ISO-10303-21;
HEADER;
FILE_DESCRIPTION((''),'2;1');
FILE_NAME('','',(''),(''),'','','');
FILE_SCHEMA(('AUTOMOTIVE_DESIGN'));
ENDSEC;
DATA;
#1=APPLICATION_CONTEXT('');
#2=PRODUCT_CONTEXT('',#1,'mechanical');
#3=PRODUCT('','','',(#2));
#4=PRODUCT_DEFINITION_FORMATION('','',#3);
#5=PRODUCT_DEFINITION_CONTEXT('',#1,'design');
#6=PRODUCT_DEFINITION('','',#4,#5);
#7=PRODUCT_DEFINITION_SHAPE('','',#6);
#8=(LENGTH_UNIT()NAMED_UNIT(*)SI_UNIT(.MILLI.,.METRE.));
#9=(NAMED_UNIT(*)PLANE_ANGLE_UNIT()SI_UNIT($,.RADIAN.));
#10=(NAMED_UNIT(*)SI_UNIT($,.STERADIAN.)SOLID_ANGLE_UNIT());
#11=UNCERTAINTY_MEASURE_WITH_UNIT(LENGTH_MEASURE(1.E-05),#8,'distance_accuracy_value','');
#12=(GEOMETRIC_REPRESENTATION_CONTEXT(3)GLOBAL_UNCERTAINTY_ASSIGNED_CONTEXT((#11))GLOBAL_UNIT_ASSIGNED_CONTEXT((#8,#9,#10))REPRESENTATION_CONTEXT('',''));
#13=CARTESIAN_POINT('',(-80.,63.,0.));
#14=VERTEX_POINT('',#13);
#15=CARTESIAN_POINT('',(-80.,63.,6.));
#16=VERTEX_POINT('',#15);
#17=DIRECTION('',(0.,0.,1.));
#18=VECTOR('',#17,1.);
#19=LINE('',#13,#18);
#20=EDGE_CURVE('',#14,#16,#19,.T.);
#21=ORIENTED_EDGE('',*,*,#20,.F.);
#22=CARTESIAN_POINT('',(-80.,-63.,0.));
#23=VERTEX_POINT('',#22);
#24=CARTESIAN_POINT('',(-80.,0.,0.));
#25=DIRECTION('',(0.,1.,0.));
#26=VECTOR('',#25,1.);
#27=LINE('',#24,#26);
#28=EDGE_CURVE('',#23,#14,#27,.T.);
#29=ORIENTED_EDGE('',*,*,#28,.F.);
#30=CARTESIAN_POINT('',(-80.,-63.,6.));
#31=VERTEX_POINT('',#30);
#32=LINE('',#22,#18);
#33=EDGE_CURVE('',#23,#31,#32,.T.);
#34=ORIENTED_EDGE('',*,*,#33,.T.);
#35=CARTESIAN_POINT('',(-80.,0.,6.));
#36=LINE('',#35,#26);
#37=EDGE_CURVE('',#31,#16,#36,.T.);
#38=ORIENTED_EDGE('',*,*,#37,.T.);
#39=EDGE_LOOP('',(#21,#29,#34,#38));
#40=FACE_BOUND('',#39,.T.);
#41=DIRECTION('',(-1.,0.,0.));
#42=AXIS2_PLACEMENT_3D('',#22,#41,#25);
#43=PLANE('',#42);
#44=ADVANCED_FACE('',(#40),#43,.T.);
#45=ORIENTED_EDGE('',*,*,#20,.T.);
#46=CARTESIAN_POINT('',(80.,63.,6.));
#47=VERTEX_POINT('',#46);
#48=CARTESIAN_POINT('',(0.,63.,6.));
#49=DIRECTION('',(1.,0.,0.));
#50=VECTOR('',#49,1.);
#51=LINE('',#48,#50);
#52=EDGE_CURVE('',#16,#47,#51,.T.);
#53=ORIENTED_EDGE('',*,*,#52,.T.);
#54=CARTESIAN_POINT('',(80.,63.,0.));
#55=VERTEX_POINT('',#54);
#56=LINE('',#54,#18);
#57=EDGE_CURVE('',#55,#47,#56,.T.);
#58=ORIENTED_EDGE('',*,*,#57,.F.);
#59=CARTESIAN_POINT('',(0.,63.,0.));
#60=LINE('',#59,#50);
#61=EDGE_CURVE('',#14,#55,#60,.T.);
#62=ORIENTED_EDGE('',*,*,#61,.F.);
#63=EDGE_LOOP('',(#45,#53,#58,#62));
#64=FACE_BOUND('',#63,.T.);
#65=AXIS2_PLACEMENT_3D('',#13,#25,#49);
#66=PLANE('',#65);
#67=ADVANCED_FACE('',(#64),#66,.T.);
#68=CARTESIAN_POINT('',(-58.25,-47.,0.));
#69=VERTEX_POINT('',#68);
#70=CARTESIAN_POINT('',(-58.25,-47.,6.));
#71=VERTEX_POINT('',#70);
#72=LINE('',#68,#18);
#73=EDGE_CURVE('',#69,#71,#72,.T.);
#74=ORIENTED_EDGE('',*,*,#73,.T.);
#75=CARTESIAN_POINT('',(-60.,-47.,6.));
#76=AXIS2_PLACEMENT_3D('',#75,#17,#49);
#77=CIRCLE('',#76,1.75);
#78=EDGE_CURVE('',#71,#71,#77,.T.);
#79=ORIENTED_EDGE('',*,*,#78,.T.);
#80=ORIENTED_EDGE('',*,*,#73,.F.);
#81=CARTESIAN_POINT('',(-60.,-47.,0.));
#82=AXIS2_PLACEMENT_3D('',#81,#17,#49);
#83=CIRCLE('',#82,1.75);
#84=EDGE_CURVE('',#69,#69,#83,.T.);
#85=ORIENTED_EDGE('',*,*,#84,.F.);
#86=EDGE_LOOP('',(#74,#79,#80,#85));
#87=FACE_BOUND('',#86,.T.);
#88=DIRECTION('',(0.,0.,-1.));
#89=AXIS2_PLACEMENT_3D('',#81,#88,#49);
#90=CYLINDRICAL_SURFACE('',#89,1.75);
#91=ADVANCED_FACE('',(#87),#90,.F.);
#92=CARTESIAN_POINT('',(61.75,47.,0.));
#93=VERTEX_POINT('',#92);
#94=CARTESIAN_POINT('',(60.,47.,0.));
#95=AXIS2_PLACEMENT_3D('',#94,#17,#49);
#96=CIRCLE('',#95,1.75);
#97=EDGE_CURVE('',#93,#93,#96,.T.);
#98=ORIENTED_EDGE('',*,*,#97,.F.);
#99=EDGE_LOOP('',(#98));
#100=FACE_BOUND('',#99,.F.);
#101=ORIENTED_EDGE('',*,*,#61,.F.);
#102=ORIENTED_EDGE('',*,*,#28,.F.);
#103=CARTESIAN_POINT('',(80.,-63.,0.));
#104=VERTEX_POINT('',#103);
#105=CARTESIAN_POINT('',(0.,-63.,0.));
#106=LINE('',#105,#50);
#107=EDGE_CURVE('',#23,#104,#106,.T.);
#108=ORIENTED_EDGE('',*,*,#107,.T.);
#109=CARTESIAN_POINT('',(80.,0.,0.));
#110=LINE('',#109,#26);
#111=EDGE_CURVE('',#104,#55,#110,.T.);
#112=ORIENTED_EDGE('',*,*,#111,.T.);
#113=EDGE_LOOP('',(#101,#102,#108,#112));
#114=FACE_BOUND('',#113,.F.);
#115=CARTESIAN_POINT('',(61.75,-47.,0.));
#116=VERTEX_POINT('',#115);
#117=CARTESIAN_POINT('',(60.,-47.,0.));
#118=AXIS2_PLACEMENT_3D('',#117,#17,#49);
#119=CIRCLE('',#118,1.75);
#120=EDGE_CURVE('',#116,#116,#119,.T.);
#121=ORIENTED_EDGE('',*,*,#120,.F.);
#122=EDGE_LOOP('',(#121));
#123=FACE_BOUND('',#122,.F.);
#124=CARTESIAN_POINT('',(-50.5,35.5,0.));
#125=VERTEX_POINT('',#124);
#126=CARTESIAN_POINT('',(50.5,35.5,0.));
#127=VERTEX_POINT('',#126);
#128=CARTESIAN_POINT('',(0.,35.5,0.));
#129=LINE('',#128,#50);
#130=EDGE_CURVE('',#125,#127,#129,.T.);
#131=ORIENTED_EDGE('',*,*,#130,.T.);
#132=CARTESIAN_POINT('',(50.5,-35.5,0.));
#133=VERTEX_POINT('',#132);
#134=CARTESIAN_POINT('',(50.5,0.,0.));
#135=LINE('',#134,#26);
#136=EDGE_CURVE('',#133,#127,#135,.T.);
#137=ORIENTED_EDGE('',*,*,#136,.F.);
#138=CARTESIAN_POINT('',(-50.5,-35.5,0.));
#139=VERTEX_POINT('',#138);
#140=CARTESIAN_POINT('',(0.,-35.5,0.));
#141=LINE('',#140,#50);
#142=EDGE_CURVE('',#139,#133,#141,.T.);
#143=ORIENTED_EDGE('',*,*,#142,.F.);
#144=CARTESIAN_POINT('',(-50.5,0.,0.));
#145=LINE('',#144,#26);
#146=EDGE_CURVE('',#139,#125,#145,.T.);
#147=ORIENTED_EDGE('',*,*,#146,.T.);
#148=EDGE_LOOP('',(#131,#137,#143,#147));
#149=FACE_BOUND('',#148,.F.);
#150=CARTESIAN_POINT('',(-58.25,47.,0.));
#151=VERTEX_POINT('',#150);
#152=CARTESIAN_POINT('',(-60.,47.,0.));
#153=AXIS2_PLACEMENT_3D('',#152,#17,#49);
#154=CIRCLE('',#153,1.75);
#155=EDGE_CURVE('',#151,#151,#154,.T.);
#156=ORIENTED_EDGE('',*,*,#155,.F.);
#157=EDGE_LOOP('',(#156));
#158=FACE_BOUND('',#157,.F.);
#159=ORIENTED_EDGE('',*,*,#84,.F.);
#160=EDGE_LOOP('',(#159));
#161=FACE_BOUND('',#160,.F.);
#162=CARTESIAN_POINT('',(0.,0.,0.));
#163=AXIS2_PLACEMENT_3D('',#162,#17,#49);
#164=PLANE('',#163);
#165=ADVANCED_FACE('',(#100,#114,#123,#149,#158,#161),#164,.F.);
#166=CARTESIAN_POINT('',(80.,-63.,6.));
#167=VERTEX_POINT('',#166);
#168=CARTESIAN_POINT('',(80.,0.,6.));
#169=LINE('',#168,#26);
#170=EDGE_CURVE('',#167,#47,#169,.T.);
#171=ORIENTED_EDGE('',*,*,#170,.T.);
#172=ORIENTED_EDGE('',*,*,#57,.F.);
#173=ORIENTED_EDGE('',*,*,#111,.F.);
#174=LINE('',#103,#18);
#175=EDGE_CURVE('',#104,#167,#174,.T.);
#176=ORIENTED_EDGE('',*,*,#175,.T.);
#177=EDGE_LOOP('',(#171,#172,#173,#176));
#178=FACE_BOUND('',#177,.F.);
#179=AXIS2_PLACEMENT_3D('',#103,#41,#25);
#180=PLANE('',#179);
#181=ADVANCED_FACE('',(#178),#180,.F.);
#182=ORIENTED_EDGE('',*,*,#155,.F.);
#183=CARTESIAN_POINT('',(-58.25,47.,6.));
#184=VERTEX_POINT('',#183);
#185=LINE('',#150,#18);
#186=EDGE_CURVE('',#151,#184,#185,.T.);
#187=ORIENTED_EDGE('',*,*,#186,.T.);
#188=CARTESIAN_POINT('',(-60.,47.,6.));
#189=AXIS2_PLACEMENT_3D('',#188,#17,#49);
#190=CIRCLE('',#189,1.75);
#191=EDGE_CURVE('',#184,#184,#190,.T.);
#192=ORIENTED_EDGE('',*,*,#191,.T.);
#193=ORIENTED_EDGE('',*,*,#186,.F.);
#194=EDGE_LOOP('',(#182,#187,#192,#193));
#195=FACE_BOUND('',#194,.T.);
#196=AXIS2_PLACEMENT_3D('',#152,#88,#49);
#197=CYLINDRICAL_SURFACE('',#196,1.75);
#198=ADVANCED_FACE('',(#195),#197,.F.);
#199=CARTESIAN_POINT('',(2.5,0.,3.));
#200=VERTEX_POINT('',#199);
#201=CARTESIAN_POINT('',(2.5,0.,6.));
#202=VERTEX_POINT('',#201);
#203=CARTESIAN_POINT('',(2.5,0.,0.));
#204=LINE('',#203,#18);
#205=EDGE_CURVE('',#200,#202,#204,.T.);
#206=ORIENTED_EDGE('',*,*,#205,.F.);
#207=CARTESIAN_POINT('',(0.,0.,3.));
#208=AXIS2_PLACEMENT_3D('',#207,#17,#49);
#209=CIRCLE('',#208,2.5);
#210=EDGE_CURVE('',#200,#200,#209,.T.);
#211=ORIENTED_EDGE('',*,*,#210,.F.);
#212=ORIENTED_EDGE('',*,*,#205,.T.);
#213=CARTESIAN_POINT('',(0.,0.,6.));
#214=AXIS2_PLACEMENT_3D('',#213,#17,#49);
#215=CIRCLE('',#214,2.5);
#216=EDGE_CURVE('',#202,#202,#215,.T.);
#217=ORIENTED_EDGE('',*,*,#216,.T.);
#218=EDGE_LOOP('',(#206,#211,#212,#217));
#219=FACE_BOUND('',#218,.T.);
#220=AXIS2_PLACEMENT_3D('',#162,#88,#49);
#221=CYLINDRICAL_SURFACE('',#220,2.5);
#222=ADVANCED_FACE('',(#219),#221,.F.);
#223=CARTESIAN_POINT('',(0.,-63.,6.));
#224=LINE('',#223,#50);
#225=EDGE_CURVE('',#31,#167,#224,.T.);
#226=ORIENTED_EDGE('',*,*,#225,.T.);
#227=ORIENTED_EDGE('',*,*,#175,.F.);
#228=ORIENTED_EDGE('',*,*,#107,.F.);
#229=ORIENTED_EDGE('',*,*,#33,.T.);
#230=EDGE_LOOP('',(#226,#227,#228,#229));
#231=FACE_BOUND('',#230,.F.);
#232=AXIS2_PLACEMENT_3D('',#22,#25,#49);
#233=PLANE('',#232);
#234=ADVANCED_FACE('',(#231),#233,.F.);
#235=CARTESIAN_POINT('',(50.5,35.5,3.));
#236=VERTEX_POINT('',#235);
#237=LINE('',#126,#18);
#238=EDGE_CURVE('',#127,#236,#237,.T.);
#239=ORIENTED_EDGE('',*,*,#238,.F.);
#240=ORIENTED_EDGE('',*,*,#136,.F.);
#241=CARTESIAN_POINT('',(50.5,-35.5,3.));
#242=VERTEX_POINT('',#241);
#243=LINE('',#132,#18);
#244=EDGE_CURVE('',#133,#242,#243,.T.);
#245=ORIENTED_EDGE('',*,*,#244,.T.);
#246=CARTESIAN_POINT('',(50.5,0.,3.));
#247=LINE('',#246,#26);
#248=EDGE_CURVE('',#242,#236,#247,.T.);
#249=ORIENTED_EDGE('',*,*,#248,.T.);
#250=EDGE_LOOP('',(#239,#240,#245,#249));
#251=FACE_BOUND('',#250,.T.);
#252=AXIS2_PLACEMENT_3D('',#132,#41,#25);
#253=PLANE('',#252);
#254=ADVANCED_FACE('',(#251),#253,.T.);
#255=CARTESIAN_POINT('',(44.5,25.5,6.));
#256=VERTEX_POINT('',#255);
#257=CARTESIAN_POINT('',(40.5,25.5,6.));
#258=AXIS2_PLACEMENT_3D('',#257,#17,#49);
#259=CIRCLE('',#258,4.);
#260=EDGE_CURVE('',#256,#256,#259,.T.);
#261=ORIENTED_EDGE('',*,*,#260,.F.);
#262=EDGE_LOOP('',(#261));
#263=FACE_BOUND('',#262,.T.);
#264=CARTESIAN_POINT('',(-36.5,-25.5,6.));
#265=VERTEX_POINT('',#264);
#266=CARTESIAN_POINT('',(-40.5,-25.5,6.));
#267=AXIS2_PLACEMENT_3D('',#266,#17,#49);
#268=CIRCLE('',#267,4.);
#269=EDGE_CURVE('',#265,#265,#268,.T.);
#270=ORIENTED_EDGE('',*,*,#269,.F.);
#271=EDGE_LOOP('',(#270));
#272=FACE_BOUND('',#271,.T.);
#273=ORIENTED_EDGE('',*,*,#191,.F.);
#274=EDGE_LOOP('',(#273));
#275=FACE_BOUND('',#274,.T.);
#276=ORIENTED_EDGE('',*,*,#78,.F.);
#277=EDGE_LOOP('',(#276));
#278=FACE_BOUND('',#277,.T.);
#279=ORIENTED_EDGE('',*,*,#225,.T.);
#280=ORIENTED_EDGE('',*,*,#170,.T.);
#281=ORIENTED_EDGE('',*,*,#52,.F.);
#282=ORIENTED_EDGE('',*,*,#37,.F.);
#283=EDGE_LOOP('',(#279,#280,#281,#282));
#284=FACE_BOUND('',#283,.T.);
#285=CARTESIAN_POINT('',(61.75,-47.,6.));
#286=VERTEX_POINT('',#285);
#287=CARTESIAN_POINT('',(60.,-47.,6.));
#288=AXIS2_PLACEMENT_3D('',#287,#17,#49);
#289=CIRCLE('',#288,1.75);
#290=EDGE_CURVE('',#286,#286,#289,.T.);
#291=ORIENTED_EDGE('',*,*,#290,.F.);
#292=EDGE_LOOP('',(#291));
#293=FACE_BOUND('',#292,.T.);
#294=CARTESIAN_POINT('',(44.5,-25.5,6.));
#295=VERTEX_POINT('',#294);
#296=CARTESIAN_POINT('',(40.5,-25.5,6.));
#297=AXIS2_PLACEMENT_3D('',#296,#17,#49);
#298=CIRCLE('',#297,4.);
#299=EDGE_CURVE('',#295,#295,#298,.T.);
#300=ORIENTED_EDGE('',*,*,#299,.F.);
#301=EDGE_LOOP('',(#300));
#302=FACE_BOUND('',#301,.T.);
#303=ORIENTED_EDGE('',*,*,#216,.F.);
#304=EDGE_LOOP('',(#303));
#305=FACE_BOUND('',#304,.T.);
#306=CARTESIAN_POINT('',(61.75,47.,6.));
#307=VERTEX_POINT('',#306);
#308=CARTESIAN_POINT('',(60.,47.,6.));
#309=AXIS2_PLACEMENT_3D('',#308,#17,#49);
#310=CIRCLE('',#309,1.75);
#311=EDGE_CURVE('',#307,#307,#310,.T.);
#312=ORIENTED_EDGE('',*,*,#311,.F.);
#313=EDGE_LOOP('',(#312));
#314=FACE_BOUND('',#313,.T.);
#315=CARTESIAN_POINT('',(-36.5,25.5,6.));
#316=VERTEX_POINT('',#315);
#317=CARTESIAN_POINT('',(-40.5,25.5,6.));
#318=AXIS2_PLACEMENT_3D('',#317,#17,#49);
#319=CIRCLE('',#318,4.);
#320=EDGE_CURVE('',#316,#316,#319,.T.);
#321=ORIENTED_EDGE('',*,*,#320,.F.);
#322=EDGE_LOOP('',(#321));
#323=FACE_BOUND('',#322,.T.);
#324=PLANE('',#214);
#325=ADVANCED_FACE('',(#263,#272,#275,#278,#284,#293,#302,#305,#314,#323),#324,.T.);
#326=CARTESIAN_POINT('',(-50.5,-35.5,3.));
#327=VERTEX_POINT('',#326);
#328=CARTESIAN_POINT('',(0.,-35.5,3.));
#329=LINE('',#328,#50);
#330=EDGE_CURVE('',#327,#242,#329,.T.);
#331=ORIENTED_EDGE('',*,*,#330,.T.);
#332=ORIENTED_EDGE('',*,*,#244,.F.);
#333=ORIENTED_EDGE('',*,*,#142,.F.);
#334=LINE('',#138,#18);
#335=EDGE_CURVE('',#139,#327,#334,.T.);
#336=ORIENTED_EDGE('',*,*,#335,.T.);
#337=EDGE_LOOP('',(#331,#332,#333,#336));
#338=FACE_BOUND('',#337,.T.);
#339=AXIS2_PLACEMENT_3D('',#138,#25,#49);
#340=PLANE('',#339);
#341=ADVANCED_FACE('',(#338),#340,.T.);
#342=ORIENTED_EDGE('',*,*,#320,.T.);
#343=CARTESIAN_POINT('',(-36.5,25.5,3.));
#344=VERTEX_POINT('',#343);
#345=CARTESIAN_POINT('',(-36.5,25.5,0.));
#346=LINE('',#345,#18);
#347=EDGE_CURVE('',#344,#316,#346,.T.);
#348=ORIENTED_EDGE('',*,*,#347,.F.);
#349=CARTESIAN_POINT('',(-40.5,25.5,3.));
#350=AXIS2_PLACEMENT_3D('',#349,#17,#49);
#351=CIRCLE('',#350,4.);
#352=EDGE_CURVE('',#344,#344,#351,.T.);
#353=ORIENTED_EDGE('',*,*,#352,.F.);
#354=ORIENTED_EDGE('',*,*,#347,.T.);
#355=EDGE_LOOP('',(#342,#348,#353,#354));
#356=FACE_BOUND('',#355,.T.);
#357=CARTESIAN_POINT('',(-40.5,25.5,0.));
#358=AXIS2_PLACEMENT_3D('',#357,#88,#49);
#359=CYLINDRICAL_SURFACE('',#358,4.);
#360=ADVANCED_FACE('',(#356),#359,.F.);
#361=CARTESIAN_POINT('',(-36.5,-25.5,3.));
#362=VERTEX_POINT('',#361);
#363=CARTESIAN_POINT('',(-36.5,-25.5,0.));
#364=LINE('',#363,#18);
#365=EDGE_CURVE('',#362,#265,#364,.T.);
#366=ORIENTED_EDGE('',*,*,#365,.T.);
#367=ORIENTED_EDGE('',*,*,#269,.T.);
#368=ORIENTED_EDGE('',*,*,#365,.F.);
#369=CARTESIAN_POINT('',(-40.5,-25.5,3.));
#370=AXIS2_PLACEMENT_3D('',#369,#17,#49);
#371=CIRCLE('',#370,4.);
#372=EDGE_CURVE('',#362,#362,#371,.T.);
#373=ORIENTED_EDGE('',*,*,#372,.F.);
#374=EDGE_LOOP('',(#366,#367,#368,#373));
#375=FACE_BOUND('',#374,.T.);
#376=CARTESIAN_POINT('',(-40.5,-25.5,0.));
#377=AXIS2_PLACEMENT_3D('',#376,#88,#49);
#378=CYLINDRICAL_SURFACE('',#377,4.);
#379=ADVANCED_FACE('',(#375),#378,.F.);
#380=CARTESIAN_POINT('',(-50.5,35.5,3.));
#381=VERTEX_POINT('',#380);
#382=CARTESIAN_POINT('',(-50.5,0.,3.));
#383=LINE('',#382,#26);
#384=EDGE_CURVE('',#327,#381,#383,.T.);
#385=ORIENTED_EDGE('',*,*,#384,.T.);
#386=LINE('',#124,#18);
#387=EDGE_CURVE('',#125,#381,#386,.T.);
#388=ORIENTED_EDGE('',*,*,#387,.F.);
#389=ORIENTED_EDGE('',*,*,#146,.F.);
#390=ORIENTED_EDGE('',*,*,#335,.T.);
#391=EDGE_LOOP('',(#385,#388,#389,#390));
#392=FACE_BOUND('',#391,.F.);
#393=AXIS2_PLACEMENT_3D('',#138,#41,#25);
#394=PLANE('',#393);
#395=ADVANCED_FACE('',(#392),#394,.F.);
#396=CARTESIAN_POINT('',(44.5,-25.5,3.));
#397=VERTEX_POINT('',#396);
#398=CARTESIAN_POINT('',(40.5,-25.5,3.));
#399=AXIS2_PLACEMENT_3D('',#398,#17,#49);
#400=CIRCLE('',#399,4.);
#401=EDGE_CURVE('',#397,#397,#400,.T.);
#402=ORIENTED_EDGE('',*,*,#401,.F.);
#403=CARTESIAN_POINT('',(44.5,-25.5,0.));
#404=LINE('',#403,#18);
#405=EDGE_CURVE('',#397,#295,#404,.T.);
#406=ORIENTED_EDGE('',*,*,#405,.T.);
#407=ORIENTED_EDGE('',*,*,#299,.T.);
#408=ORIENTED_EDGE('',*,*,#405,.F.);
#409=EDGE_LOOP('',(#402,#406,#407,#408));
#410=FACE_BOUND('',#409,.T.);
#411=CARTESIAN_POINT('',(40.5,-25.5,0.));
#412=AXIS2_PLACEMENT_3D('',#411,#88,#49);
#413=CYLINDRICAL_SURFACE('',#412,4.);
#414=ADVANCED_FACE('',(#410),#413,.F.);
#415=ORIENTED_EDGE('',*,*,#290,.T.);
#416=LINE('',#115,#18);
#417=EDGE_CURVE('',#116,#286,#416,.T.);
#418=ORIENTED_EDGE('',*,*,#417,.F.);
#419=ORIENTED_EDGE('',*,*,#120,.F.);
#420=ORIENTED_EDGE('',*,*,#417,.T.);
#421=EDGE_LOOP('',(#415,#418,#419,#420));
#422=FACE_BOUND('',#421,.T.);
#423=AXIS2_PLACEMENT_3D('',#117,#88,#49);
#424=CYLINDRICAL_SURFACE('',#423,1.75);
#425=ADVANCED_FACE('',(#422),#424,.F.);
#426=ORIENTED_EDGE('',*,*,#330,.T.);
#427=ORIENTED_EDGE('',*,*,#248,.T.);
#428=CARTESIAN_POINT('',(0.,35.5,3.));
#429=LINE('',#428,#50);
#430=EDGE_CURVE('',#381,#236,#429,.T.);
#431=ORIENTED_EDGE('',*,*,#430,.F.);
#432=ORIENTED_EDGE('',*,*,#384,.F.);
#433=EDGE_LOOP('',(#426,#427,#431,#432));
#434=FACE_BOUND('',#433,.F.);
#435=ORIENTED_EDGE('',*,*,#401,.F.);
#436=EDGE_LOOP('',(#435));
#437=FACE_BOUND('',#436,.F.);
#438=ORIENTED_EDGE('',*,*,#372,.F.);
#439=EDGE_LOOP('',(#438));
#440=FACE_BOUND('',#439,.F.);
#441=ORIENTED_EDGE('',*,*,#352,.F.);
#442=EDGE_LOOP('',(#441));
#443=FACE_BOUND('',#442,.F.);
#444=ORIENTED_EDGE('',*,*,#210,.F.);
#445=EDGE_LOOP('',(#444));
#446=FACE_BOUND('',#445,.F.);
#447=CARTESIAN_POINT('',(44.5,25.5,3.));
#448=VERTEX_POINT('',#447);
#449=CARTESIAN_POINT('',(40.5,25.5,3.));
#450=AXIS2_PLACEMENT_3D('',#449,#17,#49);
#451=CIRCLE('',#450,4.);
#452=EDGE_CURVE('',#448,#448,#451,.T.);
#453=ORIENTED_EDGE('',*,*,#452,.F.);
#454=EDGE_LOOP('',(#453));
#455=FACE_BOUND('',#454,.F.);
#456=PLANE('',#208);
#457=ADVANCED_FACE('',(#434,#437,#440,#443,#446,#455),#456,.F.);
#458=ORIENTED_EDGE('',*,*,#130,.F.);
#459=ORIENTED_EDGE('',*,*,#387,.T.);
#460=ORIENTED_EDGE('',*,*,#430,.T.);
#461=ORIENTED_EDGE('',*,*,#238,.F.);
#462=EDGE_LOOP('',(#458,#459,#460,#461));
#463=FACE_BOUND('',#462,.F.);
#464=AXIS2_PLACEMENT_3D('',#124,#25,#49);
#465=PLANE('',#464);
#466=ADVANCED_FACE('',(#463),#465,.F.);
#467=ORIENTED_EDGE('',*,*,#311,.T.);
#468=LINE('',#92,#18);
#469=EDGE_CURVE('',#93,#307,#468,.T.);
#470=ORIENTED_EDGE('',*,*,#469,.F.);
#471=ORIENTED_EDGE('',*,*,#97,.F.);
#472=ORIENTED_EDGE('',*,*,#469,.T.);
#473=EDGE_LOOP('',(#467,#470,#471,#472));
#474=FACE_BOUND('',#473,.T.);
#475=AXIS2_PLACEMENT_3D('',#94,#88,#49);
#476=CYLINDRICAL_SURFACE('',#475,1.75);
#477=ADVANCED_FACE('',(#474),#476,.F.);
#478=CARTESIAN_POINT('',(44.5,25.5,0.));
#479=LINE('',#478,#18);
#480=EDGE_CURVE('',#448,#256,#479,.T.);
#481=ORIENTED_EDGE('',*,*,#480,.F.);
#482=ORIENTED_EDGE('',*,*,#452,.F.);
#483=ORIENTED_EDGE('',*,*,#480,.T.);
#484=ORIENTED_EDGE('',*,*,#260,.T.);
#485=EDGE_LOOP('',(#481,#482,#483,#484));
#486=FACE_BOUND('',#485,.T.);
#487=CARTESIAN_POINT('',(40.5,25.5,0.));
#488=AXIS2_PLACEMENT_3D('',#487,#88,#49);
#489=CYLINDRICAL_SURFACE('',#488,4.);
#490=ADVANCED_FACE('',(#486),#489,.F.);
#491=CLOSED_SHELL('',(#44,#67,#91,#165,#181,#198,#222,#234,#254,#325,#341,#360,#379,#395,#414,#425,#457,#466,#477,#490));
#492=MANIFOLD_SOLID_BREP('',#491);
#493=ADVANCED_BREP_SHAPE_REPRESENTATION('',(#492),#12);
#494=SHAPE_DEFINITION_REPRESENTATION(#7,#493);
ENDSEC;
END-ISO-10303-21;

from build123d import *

# Parameters (mm, degrees)
F0_W     = 160
F0_H     = 126
F0_R     = 1.75
F0_W_2   = 101
F0_H_2   = 71
F0_R_2   = 4
F0_R_3   = 2.5
F1_DEPTH = 6
F2_DEPTH = 3


with BuildPart() as f1:
    # F0 (on Top) → F1 (new body)
    with BuildSketch(Plane.XY):
        Rectangle(F0_W, F0_H)
        with Locations((-60, -47)):
            Circle(F0_R, mode=Mode.SUBTRACT)
        with Locations((60, -47)):
            Circle(F0_R, mode=Mode.SUBTRACT)
        with Locations((-60, 47)):
            Circle(F0_R, mode=Mode.SUBTRACT)
        Rectangle(F0_W_2, F0_H_2, mode=Mode.SUBTRACT)
        with Locations((60, 47)):
            Circle(F0_R, mode=Mode.SUBTRACT)
        Rectangle(F0_W_2, F0_H_2)
        with Locations((-40.5, -25.5)):
            Circle(F0_R_2, mode=Mode.SUBTRACT)
        with Locations((40.5, -25.5)):
            Circle(F0_R_2, mode=Mode.SUBTRACT)
        with Locations((-40.5, 25.5)):
            Circle(F0_R_2, mode=Mode.SUBTRACT)
        Circle(F0_R_3, mode=Mode.SUBTRACT)
        with Locations((40.5, 25.5)):
            Circle(F0_R_2, mode=Mode.SUBTRACT)
    extrude(amount=F1_DEPTH)

    # F0 (on Top) → F2 (cut)
    with BuildSketch(Plane.XY):
        Rectangle(F0_W_2, F0_H_2)
        with Locations((-40.5, -25.5)):
            Circle(F0_R_2, mode=Mode.SUBTRACT)
        with Locations((40.5, -25.5)):
            Circle(F0_R_2, mode=Mode.SUBTRACT)
        with Locations((-40.5, 25.5)):
            Circle(F0_R_2, mode=Mode.SUBTRACT)
        Circle(F0_R_3, mode=Mode.SUBTRACT)
        with Locations((40.5, 25.5)):
            Circle(F0_R_2, mode=Mode.SUBTRACT)
    extrude(amount=F2_DEPTH, mode=Mode.SUBTRACT)


solid = f1.part
